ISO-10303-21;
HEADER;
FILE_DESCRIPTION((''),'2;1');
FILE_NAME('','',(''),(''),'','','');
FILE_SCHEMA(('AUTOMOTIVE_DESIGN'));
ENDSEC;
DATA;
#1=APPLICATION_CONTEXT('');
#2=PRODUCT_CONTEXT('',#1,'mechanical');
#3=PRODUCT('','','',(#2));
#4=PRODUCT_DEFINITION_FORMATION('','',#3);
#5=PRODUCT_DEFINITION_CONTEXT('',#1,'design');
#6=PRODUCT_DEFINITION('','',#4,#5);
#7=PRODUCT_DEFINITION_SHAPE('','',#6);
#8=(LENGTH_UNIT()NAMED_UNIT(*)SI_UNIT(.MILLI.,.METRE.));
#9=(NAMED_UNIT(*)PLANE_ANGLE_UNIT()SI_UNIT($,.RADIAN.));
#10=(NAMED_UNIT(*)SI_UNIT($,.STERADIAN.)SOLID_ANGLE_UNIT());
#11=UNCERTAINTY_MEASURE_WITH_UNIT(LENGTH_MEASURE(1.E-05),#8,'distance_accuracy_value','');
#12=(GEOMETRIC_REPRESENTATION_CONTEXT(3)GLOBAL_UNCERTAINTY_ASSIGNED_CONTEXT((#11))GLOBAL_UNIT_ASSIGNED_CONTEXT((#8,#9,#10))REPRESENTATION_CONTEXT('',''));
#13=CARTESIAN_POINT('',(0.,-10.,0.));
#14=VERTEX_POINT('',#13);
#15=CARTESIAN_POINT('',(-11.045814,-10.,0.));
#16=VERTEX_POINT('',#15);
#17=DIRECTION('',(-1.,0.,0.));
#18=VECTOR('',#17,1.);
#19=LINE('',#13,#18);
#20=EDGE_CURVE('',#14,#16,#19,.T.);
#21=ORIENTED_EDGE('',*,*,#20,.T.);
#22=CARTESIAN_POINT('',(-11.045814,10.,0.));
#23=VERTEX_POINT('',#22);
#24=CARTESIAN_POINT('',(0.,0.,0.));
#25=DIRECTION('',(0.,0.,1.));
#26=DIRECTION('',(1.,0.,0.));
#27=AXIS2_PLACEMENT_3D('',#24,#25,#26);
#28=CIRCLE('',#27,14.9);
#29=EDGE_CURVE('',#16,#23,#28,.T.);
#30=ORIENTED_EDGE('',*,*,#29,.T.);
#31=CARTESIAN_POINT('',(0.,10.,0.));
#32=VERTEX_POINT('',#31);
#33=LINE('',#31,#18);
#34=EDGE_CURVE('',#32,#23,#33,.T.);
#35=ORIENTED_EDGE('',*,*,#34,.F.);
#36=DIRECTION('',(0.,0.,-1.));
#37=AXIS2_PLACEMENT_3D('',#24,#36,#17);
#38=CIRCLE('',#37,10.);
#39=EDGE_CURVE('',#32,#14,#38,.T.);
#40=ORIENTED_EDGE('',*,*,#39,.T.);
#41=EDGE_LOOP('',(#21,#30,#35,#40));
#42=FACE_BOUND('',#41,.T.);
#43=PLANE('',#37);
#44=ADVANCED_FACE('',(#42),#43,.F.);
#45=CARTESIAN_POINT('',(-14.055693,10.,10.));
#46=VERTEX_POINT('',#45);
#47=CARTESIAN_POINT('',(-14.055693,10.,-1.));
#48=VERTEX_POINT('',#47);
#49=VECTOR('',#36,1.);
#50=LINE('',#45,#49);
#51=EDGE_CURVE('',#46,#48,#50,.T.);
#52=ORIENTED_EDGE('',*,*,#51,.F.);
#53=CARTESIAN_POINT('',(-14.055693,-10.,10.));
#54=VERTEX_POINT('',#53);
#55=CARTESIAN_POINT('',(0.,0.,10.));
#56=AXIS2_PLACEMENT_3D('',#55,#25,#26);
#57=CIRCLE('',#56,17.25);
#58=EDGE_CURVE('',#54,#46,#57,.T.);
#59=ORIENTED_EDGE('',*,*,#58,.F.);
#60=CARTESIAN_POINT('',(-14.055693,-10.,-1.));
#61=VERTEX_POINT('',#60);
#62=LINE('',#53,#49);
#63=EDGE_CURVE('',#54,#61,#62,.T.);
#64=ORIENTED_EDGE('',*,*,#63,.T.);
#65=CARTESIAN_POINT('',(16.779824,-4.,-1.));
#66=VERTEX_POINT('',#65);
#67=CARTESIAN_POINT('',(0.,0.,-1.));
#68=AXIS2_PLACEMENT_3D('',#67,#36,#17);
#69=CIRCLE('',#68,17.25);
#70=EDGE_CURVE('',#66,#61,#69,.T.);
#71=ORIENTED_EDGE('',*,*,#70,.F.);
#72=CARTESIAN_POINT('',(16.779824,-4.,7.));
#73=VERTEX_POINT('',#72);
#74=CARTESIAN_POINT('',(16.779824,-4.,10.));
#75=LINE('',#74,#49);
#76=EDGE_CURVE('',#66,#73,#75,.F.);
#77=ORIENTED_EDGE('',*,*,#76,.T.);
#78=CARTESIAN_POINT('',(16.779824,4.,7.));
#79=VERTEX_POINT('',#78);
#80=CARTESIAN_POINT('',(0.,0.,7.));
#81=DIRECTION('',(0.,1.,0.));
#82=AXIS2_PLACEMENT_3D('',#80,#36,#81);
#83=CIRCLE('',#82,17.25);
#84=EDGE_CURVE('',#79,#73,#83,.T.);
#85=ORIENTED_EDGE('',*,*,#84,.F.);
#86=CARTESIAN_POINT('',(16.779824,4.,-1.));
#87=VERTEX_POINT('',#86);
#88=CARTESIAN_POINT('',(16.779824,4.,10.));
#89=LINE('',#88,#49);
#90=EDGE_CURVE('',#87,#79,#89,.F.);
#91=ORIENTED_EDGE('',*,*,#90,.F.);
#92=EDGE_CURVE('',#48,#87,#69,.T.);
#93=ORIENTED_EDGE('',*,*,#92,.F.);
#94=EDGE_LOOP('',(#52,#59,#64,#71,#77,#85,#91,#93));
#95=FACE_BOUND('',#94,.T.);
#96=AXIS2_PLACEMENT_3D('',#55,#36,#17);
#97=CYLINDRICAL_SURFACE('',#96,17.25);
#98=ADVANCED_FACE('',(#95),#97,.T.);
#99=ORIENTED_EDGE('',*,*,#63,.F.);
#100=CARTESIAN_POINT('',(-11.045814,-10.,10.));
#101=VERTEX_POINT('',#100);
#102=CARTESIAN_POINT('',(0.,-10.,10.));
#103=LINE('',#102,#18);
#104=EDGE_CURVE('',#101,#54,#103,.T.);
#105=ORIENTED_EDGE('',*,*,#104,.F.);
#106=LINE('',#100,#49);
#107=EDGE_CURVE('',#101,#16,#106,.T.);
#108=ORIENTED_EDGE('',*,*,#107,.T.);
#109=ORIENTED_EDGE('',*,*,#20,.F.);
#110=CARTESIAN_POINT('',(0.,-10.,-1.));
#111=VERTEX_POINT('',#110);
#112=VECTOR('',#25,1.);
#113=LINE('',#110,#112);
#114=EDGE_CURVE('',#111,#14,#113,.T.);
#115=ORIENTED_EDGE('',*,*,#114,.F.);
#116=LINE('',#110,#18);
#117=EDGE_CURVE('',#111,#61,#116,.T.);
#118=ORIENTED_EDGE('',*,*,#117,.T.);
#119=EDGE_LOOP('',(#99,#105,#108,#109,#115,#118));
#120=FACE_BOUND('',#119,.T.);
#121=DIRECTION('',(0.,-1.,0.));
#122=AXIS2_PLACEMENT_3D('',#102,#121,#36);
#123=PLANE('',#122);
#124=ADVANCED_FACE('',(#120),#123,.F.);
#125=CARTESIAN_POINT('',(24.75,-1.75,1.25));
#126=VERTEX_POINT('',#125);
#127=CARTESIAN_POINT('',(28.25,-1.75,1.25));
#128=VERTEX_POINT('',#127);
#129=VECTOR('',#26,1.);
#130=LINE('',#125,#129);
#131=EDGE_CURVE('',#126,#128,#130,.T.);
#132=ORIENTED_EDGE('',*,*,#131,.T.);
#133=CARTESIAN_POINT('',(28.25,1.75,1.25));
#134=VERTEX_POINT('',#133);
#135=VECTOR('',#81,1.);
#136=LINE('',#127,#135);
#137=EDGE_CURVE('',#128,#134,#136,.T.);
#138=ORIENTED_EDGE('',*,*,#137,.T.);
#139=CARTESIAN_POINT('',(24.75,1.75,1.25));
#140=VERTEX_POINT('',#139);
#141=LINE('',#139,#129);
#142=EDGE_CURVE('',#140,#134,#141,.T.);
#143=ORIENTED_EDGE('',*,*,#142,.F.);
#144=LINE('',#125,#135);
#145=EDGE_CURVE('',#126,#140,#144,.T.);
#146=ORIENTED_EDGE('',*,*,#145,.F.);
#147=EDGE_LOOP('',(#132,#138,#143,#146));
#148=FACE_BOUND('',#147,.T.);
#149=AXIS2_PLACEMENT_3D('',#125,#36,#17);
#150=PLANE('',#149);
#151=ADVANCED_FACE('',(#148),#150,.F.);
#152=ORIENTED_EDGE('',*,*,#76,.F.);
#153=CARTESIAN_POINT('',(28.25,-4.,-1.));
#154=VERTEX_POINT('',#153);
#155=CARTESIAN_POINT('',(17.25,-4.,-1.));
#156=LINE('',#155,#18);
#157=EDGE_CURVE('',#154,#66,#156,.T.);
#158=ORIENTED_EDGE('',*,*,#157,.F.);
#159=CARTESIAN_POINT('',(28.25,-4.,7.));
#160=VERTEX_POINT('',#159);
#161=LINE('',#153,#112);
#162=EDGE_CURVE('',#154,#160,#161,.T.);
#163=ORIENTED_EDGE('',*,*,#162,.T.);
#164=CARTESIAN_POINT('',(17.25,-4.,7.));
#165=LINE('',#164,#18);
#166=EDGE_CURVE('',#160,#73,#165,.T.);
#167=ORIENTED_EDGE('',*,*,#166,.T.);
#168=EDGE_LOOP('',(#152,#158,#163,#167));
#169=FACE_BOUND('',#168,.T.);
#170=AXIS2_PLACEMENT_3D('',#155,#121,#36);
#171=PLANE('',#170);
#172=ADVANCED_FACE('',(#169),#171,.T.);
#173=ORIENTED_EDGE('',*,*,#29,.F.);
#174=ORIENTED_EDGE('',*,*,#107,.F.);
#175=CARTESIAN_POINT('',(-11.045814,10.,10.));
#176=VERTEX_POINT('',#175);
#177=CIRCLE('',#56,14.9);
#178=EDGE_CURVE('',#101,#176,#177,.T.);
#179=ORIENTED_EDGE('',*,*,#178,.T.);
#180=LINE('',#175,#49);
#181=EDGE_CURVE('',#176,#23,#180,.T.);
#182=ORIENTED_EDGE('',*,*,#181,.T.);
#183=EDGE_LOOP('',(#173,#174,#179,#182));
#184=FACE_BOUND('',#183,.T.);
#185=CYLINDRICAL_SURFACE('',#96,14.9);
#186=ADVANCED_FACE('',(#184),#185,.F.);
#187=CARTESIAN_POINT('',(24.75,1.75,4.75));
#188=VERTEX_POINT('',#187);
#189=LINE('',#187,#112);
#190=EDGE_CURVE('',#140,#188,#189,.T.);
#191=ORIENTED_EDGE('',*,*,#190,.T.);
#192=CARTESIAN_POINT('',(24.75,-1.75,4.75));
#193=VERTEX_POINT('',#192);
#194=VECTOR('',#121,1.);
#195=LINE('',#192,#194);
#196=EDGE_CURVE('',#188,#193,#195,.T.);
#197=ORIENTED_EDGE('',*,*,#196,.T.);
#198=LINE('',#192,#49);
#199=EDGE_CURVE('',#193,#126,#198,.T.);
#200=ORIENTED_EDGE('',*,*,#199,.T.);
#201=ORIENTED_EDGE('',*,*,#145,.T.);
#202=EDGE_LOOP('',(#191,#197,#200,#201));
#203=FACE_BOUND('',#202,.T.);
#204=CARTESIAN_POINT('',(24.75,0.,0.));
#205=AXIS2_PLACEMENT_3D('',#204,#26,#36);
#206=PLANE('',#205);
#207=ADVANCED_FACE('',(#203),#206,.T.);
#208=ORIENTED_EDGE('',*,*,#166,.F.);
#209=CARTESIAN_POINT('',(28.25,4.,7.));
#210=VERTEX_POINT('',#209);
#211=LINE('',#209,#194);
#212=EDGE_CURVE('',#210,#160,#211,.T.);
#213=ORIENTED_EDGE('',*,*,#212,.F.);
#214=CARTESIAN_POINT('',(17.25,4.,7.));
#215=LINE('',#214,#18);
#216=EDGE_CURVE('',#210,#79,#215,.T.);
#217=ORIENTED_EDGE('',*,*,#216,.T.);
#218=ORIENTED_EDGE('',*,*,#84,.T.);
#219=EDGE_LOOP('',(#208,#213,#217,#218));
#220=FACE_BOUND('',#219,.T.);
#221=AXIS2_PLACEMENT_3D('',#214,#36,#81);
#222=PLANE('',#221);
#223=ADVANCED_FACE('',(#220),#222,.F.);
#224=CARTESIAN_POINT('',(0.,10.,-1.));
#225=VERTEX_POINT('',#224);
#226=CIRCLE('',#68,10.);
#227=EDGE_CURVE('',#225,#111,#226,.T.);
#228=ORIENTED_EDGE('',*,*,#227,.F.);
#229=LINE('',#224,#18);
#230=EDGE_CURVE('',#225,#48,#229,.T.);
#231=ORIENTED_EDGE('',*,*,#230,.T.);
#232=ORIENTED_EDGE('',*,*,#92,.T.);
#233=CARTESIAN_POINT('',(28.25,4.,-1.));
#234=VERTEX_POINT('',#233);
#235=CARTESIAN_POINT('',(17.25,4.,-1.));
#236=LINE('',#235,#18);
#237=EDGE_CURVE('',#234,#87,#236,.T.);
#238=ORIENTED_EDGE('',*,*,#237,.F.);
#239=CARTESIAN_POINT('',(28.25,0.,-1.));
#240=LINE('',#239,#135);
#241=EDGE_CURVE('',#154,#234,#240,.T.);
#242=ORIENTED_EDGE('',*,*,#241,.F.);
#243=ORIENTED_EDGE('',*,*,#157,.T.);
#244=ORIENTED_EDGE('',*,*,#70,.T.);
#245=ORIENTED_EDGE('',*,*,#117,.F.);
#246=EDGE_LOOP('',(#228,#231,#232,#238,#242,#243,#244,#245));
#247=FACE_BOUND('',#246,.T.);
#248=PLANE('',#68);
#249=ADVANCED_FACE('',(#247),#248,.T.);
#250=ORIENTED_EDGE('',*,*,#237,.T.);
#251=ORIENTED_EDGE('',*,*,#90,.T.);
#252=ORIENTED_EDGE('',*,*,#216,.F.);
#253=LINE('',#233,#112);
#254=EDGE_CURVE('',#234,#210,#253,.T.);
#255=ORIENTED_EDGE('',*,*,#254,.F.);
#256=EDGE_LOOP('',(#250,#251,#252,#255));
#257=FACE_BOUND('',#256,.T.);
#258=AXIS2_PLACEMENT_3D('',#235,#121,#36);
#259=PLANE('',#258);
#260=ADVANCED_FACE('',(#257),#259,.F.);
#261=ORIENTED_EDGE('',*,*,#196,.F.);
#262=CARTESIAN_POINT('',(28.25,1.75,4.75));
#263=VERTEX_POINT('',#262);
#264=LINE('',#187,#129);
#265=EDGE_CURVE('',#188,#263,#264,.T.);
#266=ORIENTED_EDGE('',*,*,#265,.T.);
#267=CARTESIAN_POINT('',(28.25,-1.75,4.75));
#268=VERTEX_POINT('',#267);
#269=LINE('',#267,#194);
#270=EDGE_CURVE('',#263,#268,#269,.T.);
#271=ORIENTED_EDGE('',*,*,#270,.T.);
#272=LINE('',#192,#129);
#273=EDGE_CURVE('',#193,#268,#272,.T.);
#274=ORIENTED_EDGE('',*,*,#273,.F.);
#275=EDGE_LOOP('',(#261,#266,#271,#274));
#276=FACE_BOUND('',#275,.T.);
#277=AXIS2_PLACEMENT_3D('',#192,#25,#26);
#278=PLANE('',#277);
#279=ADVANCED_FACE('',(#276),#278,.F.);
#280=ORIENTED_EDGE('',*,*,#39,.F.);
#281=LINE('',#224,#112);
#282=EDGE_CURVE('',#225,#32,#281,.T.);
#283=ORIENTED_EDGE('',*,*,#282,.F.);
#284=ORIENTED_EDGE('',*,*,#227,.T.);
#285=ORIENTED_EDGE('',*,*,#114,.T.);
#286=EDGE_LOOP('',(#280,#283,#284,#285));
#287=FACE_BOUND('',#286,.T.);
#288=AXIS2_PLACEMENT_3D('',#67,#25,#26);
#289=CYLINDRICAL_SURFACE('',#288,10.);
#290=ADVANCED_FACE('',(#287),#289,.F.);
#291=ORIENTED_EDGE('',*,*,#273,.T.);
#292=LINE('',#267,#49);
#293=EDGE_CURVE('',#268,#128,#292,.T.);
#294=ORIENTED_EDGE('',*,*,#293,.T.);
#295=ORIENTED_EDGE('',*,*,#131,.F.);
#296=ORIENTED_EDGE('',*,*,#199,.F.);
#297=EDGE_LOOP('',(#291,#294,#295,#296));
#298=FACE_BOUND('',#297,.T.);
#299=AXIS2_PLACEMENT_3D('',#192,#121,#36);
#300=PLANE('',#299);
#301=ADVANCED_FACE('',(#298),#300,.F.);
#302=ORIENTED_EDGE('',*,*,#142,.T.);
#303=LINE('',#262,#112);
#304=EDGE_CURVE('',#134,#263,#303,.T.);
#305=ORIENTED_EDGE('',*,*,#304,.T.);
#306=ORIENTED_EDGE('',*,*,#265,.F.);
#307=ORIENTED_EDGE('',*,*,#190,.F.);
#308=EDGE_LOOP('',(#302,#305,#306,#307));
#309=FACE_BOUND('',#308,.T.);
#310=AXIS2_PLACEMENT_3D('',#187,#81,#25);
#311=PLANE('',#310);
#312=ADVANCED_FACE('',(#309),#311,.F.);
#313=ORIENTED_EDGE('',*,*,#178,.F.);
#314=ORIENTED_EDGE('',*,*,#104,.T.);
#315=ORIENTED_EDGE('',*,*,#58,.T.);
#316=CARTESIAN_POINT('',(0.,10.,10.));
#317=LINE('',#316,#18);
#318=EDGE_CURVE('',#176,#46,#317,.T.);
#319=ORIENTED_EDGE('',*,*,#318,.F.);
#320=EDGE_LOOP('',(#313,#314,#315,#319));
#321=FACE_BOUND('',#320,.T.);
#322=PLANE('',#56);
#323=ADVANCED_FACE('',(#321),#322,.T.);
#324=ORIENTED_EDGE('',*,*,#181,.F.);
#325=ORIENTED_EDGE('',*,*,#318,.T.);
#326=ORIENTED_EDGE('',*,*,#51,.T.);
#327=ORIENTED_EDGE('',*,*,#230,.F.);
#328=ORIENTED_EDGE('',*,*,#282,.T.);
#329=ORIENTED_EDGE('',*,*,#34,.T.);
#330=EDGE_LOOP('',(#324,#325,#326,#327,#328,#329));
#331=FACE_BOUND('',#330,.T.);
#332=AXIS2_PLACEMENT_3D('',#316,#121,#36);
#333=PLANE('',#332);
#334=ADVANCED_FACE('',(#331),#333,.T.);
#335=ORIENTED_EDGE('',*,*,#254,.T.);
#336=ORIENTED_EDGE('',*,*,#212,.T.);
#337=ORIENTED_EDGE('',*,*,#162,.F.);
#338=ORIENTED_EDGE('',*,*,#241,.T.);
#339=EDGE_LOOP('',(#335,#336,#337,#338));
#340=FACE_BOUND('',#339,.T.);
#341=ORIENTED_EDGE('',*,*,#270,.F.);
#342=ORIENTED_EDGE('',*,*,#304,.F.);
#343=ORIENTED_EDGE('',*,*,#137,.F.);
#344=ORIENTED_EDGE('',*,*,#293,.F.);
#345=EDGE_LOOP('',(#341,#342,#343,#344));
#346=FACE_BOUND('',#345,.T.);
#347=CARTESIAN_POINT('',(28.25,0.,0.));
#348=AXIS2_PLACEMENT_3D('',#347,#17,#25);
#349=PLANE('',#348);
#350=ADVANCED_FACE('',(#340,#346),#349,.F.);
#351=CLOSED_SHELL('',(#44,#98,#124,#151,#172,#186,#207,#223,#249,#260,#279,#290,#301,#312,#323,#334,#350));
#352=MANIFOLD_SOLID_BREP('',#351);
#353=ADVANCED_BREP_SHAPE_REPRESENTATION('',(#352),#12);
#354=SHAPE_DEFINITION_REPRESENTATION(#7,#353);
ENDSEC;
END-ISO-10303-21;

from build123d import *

# Parameters (mm, degrees)
SKETCH1_R                = 17.25
SKETCH1_R_2              = 14.9
BOSS_EXTRUDE1_DEPTH      = 10
BOSS_EXTRUDE3_START      = 1
SKETCH2_R                = 17.25
SKETCH2_R_2              = 10
BOSS_EXTRUDE3_DEPTH      = 1
SKETCH3_R                = 10
CUT_EXTRUDE1_DEPTH       = 27.760511953
BOSS_EXTRUDE4_DEPTH      = 11
BOSS_EXTRUDE4_DEPTH_BACK = 1.5
SKETCH4_W                = 3.5
SKETCH4_H                = 3.5
CUT_EXTRUDE2_DEPTH       = 3.5


with BuildPart() as part:
    # Sketch1 → Boss-Extrude1 (new body)
    with BuildSketch(Plane.XY):
        Circle(SKETCH1_R)
        Circle(SKETCH1_R_2, mode=Mode.SUBTRACT)
    extrude(amount=BOSS_EXTRUDE1_DEPTH)

    # Sketch2 → Boss-Extrude3 (add)
    with BuildSketch(Plane(origin=(0, 0, 0), x_dir=(-1, 0, 0), z_dir=(0, 0, -1)).offset(BOSS_EXTRUDE3_START)):
        Circle(SKETCH2_R)
        Circle(SKETCH2_R_2, mode=Mode.SUBTRACT)
    extrude(amount=-BOSS_EXTRUDE3_DEPTH)

    # Sketch3 → Cut-Extrude1 (cut, through all)
    with BuildSketch(Plane(origin=(0, 0, -1), x_dir=(-1, 0, 0), z_dir=(0, 0, -1))):
        Circle(SKETCH3_R)
        with BuildLine():
            Line((14.055692797, 10), (0, 10))
            ThreePointArc((0, 10), (7.071067812, 7.071067812), (10, 0))
            ThreePointArc((10, 0), (7.071067812, -7.071067812), (0, -10))
            Line((0, -10), (14.055692797, -10))
            ThreePointArc((14.055692797, -10), (16.432029709, -5.248895086), (17.25, 0))
            ThreePointArc((17.25, 0), (16.432029709, 5.248895086), (14.055692797, 10))
        make_face()
    extrude(amount=-CUT_EXTRUDE1_DEPTH, mode=Mode.SUBTRACT)

    # 3DSketch1 → Boss-Extrude4 (add, two sides: drawn at the far end of the back side and taken through both)
    with BuildSketch(Plane(origin=(17.25, 0, -1), x_dir=(0, 0.4472135954999581, 0.8944271909999159), z_dir=(1, 0, 0)).offset(-BOSS_EXTRUDE4_DEPTH_BACK)):
        Polygon((0, 0), (-1.788854382, 3.577708764), (5.366563146, 7.155417528), (8.94427191, 0), (1.788854382, -3.577708764), align=None)
    extrude(amount=BOSS_EXTRUDE4_DEPTH + BOSS_EXTRUDE4_DEPTH_BACK)

    # Sketch4 → Cut-Extrude2 (cut)
    with BuildSketch(Plane(origin=(28.25, 0, 0), x_dir=(0, 0, -1), z_dir=(1, 0, 0))):
        with Locations((-3, 0)):
            Rectangle(SKETCH4_W, SKETCH4_H)
    extrude(amount=-CUT_EXTRUDE2_DEPTH, mode=Mode.SUBTRACT)


solid = part.part
